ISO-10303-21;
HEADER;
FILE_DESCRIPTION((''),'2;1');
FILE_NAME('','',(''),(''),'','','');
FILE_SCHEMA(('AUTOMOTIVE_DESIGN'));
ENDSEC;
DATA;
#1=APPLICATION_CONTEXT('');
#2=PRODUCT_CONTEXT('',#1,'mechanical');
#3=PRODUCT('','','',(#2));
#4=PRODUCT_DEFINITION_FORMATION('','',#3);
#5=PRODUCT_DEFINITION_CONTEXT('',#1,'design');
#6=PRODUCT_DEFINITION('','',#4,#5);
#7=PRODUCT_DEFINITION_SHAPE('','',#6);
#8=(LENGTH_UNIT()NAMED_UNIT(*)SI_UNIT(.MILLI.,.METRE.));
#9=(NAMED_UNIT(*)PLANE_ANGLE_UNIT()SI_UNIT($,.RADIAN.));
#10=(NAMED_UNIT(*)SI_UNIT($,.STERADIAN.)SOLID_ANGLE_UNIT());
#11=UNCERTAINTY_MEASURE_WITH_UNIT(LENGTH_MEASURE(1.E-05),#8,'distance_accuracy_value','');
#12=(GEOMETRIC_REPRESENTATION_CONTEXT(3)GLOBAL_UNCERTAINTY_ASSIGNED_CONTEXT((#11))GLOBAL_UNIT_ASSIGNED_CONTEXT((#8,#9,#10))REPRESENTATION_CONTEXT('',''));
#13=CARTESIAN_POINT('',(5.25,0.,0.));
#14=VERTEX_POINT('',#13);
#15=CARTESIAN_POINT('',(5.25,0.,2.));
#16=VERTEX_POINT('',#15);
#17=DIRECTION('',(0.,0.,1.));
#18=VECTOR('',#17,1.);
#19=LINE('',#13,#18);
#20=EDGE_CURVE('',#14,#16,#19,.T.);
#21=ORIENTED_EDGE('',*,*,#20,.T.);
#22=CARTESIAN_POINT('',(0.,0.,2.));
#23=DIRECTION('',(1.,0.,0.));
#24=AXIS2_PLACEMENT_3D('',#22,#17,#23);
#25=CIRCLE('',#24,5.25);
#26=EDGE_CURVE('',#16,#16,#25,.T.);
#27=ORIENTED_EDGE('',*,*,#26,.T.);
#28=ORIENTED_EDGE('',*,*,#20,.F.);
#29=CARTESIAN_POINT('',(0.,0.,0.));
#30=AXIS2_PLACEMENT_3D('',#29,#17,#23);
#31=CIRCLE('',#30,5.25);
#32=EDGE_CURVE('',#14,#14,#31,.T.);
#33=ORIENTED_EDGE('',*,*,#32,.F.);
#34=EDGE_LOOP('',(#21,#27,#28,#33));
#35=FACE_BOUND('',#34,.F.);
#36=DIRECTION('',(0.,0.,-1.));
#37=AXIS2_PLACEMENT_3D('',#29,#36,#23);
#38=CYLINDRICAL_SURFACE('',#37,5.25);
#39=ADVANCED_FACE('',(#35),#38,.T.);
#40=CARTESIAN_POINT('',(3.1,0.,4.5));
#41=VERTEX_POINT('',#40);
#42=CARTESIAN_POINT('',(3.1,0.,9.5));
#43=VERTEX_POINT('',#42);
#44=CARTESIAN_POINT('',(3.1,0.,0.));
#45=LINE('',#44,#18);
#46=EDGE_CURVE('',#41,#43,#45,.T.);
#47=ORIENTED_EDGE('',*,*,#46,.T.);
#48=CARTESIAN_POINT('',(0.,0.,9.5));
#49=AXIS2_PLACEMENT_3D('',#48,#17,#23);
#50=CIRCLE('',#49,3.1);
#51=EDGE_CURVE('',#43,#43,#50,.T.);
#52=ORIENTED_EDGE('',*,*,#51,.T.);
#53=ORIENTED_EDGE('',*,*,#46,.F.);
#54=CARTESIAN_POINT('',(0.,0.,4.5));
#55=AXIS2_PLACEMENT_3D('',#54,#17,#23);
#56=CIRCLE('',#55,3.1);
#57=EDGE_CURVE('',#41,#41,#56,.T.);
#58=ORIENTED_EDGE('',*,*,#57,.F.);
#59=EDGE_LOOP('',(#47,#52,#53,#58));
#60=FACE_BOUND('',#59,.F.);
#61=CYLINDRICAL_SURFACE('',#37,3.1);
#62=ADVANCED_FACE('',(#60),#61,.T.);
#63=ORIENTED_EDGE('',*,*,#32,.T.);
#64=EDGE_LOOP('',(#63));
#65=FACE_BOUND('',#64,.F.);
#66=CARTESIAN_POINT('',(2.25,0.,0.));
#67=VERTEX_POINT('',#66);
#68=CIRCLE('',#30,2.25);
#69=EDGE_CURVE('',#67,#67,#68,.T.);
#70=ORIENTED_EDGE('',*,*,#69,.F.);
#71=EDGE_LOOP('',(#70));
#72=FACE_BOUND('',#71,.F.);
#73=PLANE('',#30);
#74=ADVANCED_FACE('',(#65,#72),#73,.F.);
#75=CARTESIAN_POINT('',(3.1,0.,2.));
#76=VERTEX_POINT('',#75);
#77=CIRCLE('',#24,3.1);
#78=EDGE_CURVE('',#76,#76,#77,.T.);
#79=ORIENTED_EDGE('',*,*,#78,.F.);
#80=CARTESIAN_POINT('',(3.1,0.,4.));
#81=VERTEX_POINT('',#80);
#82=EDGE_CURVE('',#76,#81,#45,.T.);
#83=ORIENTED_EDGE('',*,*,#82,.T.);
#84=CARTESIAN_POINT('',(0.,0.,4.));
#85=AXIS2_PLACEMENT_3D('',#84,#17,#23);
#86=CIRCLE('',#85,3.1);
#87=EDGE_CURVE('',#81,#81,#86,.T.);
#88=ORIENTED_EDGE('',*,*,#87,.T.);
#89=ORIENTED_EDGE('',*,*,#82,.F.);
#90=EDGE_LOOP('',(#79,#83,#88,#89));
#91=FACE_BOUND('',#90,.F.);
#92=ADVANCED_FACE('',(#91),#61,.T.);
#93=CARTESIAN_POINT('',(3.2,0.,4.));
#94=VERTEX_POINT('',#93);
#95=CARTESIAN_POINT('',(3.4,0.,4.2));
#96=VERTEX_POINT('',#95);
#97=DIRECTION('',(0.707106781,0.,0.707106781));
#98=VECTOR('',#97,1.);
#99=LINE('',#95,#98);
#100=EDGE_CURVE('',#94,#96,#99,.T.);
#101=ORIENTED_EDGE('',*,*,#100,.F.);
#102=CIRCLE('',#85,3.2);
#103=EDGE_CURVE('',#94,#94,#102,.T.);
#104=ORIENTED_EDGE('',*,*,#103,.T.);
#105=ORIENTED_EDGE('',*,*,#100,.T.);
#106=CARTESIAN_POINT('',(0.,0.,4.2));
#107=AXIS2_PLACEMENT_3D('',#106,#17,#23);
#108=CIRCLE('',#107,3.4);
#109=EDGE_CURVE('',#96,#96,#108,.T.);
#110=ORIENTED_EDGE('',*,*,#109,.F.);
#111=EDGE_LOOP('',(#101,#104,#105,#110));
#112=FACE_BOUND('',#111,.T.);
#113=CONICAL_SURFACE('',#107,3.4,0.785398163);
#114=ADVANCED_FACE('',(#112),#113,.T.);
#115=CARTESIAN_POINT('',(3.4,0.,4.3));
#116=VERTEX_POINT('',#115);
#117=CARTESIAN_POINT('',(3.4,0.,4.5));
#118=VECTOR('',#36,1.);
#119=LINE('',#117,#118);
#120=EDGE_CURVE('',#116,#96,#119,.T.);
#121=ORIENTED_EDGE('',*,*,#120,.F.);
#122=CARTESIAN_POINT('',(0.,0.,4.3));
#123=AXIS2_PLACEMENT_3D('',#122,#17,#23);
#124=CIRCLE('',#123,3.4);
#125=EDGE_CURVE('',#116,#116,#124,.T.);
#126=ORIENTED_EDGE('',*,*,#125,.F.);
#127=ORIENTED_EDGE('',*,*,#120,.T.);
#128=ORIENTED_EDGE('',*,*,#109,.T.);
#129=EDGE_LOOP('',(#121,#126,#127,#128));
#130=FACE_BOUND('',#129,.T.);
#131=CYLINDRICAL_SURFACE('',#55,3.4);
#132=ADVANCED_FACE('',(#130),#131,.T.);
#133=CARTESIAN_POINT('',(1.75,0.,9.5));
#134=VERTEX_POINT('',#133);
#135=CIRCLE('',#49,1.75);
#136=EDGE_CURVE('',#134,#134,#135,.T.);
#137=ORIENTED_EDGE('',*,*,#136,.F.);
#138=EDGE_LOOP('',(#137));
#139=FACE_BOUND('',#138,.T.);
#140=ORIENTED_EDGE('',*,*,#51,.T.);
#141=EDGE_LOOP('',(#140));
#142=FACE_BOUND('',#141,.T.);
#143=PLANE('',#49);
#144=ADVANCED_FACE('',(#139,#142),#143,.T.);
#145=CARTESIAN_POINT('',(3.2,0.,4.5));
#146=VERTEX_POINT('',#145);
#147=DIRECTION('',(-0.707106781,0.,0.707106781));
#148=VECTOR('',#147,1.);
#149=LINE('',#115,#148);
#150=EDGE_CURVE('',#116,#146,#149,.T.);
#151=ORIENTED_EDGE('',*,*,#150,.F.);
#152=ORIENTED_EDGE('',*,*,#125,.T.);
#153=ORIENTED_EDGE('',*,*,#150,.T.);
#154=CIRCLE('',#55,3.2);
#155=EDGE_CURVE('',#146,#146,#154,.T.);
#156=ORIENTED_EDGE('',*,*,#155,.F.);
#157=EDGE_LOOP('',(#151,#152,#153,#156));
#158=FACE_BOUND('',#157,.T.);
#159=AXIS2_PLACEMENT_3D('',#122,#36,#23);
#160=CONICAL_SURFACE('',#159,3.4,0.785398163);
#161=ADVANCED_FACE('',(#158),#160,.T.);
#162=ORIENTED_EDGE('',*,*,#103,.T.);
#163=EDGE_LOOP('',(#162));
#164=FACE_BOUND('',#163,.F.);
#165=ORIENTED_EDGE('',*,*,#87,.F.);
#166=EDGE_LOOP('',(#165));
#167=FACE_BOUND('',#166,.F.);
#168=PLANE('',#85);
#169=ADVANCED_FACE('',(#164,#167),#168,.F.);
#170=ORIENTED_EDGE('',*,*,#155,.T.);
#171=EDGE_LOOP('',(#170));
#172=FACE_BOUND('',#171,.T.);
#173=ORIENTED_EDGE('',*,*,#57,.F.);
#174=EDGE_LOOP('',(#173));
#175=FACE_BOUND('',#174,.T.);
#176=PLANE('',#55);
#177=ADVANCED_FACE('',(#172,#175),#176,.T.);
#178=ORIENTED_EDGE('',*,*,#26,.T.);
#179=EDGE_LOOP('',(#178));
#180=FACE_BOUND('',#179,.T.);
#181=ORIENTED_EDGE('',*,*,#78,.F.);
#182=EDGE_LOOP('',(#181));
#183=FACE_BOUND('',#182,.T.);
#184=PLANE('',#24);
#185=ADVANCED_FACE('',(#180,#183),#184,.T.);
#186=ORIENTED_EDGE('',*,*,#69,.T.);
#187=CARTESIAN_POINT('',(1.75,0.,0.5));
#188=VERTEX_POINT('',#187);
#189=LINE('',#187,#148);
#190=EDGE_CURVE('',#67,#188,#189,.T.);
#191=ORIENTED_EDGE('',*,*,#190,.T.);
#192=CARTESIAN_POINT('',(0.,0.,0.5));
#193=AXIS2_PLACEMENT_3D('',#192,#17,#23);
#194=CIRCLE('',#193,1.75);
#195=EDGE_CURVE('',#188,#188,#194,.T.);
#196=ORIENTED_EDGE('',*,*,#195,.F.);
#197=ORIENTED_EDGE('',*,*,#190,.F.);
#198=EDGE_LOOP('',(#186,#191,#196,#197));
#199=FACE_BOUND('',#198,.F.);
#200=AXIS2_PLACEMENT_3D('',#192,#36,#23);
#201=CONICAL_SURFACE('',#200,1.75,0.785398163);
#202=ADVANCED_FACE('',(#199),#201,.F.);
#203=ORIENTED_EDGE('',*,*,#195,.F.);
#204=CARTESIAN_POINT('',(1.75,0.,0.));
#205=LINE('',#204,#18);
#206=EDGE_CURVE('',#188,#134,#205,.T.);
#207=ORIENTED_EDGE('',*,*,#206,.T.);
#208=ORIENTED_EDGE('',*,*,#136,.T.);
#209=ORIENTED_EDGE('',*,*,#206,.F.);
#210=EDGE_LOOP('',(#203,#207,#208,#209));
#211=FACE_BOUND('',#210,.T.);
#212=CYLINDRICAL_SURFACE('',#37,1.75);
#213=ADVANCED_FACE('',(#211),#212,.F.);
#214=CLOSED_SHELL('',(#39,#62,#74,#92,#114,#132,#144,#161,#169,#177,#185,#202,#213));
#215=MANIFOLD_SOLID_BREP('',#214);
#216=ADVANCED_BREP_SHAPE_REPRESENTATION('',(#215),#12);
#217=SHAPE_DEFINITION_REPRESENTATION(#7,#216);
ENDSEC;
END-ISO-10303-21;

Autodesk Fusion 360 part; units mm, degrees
sketch "Sketch1" plane through (0, 0, 0) normal (0, 0, 1) x (1, 0, 0)
  circle A0 centre (0, 0) radius 5.25
  circle A1 centre (0, 0) radius 3.1
  circle A2 centre (0, 0) radius 1.75
  circle A3 centre (0, 0) radius 3.4
  dimension "d1" = 10.5
  dimension "d2" = 6.2
  dimension "d3" = 3.5
  dimension "d8" = 6.8
extrude "Extrude1" add sketch "Sketch1" along normal blind 9.5 contours A1
extrude "Extrude2" add sketch "Sketch1" along normal blind 2 contours A0 | A3
extrude "Extrude3" add sketch "Sketch1" along normal blind 4 and the other way blind -4.5 contours A3
chamfer "Chamfer1" distance 0.2 angle 45 2 edges at (-3.1699, -1.2295, 4) (-3.1699, -1.2295, 4.5)
chamfer "Chamfer2" distance 0.5 angle 45 1 edges at (-1.6316, 0.6328, 0)
